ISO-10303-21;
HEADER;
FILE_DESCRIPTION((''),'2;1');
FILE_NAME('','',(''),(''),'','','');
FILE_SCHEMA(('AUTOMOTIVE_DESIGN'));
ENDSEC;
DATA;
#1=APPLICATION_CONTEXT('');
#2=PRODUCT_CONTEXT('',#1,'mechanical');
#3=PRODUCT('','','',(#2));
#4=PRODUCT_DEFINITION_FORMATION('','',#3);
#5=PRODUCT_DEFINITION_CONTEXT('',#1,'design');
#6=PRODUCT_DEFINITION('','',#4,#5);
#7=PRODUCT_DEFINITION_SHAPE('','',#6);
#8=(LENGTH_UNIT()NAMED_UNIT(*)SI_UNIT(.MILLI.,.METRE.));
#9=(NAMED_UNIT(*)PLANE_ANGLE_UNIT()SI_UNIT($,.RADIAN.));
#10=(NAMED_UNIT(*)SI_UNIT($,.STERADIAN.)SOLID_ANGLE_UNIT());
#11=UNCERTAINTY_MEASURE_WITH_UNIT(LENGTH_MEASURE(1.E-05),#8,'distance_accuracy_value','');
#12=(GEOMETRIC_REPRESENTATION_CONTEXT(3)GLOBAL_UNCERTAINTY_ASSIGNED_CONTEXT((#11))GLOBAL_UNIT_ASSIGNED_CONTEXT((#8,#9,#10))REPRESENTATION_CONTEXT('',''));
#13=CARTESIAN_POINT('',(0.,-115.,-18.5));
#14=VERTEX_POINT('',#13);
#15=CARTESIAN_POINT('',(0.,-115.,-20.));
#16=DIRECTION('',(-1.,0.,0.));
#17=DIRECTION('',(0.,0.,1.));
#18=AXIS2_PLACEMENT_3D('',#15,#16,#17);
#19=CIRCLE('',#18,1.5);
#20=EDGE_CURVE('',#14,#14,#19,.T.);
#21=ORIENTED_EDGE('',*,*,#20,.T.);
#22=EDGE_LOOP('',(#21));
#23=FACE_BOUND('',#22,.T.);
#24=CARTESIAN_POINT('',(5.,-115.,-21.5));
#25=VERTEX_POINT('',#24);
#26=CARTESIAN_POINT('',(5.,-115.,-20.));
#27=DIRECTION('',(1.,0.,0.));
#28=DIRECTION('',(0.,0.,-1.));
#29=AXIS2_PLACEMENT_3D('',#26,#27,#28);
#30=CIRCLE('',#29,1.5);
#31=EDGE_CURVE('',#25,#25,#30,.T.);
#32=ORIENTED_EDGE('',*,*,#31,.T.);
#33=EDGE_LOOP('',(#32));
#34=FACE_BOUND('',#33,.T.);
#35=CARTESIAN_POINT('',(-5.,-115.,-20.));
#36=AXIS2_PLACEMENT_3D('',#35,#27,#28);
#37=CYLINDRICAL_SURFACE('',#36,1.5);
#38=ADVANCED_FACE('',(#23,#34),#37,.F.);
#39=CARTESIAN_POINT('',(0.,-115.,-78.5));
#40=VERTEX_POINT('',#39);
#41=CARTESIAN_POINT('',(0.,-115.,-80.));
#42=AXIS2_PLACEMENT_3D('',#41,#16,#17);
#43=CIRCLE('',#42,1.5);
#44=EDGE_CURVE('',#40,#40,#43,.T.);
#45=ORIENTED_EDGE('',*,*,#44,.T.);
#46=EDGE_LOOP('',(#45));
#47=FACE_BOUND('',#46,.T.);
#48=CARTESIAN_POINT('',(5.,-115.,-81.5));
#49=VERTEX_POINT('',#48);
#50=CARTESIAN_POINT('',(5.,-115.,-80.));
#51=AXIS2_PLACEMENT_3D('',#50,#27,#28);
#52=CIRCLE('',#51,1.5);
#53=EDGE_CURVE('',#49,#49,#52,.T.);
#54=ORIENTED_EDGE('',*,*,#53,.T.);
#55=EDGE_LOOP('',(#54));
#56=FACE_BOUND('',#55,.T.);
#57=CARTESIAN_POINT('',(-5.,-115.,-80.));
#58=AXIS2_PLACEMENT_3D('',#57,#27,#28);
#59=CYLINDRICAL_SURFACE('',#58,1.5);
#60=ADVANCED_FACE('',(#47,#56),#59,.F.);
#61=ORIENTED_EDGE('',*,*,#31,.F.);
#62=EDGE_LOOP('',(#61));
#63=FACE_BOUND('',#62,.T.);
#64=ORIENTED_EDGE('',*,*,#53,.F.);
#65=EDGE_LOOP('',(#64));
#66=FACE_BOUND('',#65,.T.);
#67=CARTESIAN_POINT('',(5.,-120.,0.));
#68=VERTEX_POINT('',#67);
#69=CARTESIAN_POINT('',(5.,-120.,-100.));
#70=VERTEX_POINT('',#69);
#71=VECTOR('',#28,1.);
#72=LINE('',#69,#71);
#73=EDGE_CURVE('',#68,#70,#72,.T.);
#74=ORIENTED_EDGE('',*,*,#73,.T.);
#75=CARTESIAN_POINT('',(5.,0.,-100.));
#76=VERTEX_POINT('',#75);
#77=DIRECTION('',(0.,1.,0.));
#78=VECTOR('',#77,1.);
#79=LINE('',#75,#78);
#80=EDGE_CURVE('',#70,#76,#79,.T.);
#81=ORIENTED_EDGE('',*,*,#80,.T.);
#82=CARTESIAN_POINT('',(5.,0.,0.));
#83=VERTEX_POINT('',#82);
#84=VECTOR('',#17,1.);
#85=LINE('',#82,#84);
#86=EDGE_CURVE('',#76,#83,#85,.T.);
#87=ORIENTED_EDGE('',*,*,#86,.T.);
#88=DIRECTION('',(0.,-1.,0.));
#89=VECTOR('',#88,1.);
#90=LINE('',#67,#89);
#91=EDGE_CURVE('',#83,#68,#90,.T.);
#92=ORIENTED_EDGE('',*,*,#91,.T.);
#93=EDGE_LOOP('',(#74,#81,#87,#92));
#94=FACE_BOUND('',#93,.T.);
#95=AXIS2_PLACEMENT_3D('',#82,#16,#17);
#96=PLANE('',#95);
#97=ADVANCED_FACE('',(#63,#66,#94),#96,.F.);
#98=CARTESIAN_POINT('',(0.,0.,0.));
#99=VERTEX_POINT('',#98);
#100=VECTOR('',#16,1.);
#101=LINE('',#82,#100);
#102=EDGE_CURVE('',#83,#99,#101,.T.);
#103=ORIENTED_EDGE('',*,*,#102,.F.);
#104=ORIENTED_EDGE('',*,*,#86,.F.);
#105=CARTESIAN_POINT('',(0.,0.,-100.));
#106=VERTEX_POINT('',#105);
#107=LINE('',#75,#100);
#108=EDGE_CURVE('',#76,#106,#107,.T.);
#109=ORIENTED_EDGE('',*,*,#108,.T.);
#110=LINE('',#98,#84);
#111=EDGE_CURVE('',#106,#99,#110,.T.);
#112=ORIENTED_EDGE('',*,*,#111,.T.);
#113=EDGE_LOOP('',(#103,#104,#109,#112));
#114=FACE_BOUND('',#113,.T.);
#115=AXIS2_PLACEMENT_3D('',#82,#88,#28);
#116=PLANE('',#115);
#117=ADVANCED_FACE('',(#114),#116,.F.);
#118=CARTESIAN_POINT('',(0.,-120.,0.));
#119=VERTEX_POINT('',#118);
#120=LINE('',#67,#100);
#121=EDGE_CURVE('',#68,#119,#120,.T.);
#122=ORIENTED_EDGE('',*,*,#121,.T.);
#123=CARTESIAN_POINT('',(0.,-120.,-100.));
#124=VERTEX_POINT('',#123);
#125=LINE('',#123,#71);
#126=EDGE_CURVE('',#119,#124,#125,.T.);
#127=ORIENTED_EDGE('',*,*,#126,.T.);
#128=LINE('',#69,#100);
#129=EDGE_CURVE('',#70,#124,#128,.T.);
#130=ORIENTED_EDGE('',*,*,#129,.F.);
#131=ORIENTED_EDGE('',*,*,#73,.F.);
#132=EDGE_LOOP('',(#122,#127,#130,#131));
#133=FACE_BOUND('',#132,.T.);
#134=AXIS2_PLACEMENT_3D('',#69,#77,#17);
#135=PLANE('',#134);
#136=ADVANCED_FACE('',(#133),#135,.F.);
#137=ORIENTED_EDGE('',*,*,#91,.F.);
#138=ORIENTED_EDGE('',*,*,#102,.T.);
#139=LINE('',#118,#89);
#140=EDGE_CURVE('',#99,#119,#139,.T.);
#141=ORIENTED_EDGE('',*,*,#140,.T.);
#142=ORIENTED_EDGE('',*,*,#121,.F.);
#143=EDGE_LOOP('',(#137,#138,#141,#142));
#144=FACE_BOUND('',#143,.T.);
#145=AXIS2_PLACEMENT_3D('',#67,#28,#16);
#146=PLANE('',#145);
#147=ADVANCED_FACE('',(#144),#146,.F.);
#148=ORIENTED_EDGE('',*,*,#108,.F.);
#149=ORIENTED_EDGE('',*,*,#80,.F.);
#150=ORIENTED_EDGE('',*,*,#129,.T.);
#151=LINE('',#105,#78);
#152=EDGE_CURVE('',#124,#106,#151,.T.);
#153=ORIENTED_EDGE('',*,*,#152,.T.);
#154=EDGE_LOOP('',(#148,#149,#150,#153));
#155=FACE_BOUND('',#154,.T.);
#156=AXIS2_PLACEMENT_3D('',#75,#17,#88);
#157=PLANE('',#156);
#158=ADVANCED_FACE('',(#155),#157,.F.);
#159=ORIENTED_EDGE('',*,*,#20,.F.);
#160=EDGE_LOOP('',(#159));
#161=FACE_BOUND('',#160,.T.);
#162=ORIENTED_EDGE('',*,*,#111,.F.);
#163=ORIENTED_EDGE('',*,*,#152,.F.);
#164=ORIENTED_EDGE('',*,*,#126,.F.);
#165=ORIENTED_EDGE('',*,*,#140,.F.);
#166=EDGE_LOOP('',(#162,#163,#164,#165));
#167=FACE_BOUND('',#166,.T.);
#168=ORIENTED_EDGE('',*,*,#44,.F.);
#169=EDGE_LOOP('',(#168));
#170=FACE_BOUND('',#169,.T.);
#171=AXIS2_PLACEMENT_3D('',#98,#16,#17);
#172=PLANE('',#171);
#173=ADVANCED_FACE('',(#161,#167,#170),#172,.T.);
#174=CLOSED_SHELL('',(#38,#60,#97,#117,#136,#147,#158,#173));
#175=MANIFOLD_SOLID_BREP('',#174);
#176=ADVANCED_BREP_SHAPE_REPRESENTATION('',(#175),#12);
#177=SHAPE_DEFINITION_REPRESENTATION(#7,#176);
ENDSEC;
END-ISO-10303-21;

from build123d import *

# Parameters (mm, degrees)
SKETCH1_W           = 100
SKETCH1_H           = 120
BOSS_EXTRUDE1_DEPTH = 5
SKETCH2_R           = 1.5
CUT_EXTRUDE1_DEPTH  = 10


with BuildPart() as part:
    # Sketch1 → Boss-Extrude1 (new body)
    with BuildSketch(Plane(origin=(0, 0, 0), x_dir=(0, 0, -1), z_dir=(1, 0, 0))):
        with Locations((50, -60)):
            Rectangle(SKETCH1_W, SKETCH1_H)
    extrude(amount=BOSS_EXTRUDE1_DEPTH)

    # Sketch2 → Cut-Extrude1 (cut)
    with BuildSketch(Plane(origin=(5, 0, 0), x_dir=(0, 0, -1), z_dir=(1, 0, 0))):
        with Locations((20, -115)):
            Circle(SKETCH2_R)
        with Locations((80, -115)):
            Circle(SKETCH2_R)
    extrude(amount=-CUT_EXTRUDE1_DEPTH, mode=Mode.SUBTRACT)


solid = part.part
